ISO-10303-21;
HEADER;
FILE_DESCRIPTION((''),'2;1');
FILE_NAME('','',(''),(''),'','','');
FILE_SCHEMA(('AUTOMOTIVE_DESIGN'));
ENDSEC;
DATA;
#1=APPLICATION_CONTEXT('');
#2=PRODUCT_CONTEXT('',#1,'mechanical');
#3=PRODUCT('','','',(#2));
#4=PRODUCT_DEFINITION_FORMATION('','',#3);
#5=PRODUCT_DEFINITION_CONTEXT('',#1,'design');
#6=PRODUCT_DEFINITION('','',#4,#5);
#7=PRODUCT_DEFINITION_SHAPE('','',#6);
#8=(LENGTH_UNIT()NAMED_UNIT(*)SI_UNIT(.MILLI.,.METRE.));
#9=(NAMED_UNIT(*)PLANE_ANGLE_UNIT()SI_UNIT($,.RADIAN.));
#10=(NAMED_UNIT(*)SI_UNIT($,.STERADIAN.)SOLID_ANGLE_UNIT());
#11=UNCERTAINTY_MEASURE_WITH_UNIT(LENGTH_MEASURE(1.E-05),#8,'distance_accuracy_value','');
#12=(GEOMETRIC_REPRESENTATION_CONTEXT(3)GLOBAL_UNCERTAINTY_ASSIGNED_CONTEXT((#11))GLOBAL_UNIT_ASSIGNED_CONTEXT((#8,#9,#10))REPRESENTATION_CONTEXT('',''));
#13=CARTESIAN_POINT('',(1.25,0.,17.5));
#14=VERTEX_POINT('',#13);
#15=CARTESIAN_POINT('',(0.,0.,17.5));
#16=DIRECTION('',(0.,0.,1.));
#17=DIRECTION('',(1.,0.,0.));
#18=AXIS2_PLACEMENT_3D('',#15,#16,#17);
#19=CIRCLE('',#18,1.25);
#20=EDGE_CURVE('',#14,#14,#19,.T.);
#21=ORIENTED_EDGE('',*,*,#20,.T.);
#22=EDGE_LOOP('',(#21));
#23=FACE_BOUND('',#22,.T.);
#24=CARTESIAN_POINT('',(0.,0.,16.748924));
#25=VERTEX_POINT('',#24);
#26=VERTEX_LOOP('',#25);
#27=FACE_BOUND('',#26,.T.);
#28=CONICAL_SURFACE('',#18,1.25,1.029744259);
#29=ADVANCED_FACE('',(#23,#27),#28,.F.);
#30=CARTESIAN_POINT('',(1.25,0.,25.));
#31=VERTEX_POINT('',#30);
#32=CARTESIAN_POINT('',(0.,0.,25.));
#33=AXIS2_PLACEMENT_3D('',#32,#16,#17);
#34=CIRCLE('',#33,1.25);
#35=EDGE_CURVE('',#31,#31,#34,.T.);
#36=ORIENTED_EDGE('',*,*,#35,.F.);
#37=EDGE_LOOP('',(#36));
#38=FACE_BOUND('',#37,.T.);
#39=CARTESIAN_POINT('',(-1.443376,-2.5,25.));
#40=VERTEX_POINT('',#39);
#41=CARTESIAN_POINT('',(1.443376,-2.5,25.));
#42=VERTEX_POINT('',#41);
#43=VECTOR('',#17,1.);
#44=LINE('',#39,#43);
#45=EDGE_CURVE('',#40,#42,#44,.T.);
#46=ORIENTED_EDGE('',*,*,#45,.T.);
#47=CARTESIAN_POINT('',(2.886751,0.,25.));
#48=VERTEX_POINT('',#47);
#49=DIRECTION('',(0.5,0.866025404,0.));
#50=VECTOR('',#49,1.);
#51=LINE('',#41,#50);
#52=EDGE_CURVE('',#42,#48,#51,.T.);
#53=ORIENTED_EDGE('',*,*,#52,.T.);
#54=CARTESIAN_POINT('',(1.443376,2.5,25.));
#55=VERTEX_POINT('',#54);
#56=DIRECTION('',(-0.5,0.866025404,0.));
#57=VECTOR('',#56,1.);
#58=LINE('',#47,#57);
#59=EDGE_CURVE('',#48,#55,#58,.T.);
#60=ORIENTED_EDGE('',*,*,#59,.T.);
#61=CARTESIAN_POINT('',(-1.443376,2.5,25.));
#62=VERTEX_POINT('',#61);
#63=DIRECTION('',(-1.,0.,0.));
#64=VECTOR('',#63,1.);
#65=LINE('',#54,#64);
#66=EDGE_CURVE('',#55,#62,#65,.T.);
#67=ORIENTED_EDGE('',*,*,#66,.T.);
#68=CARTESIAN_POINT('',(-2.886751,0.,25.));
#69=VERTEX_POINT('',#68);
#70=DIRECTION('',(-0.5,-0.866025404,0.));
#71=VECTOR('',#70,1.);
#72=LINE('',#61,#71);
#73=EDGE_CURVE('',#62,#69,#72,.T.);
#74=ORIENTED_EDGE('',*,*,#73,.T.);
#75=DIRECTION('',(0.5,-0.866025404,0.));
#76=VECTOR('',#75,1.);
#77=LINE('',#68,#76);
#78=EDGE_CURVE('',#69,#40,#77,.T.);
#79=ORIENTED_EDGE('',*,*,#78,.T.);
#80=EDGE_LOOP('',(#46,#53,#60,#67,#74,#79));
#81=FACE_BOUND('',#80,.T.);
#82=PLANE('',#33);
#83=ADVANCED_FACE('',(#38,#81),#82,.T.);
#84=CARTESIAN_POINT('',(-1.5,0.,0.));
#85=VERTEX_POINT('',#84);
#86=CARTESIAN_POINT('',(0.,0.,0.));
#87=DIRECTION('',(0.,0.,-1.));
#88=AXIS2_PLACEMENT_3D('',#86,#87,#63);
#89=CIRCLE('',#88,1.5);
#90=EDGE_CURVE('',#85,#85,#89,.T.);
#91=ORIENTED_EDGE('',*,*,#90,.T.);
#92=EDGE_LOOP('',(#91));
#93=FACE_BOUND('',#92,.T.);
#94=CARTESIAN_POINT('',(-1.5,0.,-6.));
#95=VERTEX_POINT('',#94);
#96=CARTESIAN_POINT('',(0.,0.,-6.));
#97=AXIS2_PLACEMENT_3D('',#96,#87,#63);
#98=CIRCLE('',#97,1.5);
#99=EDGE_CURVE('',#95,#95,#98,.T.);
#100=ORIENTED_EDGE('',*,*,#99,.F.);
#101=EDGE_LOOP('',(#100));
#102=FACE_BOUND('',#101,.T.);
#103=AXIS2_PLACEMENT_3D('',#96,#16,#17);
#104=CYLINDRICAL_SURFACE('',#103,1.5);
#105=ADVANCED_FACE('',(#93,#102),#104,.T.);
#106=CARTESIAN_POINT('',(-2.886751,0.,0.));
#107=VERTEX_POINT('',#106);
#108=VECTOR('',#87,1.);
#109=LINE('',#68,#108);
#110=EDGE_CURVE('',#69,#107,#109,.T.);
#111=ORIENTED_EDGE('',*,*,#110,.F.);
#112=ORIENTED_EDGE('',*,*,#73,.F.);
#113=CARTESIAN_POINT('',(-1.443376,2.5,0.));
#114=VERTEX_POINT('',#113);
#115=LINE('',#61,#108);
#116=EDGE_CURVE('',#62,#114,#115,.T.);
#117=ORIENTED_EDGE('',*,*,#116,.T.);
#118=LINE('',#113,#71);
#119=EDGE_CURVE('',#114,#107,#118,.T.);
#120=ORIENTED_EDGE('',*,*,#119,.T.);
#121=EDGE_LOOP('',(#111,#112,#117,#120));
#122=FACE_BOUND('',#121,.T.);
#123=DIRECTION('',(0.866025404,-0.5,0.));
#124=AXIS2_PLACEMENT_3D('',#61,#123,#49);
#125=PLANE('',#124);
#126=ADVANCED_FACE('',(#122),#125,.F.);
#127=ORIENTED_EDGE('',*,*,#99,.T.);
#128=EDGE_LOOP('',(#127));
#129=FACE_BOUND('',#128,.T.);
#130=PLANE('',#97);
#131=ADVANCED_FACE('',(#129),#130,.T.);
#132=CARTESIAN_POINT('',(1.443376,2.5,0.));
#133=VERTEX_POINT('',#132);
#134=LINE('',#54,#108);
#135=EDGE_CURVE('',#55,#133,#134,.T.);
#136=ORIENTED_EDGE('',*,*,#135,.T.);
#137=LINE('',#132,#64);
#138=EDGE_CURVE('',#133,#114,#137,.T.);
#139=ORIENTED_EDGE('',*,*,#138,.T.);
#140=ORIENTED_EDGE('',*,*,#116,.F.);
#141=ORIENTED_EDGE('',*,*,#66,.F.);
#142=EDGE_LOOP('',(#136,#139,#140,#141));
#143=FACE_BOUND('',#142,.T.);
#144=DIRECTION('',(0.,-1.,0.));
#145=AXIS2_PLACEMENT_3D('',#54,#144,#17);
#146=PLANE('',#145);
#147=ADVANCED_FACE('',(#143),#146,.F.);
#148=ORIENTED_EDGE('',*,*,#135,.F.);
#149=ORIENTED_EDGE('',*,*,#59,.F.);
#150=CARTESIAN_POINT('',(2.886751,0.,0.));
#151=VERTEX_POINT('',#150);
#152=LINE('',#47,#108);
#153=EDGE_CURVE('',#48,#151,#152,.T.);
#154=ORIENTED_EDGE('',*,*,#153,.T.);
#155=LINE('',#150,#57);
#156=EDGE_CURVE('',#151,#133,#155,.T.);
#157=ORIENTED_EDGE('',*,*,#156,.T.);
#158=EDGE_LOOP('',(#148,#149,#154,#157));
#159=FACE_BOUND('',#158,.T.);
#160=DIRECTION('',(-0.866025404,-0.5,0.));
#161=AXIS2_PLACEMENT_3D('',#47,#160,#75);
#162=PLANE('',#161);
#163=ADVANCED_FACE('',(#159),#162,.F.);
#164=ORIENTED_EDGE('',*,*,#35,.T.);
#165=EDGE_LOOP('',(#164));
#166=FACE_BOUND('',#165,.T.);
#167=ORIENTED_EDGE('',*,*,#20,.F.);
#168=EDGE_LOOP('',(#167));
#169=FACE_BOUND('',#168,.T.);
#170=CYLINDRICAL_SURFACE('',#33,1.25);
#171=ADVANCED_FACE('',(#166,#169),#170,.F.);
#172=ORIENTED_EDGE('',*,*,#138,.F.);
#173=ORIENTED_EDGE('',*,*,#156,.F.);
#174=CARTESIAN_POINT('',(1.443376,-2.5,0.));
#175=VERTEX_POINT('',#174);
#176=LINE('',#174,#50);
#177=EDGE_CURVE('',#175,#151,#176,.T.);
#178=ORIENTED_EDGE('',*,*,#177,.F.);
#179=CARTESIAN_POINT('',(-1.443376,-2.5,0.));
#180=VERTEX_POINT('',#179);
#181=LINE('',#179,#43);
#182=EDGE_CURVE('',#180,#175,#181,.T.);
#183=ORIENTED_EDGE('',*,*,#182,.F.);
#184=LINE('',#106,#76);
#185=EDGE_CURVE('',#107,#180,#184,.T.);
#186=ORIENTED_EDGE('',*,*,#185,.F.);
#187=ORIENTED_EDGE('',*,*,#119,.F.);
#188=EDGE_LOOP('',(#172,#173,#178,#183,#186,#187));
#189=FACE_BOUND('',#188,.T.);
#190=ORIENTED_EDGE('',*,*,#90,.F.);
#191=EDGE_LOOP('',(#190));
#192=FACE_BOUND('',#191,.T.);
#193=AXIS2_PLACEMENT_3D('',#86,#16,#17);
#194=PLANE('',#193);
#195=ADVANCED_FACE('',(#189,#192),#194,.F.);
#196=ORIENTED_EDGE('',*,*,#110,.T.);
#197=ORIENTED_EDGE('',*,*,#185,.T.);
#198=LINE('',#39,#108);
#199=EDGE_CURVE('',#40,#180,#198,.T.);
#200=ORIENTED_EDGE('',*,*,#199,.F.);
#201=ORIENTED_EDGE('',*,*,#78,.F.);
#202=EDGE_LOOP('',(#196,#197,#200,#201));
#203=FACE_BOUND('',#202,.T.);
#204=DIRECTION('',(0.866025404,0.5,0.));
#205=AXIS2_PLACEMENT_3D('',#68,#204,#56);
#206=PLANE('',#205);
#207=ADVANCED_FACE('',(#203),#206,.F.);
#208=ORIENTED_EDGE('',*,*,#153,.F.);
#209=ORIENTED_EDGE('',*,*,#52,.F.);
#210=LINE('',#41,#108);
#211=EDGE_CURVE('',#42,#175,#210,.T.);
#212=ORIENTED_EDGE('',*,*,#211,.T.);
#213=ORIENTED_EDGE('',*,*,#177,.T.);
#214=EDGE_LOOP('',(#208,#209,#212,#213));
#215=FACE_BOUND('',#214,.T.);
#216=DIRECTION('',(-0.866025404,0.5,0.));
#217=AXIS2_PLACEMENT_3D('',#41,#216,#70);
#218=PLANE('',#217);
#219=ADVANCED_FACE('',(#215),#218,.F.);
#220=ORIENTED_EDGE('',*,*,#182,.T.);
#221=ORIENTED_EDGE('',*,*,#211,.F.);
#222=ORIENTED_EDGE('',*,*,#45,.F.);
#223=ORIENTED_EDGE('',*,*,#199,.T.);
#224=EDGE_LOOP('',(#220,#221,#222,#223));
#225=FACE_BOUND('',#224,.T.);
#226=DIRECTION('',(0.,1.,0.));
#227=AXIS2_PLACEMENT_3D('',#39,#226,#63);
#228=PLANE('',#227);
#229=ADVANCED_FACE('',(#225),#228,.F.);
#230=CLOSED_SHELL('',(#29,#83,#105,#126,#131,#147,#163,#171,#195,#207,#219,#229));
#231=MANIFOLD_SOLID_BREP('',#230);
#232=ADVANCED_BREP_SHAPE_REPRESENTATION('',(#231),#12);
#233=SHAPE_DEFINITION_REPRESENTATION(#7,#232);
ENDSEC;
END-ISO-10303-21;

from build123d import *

# Parameters (mm, degrees)
EXTRUDE_1_DEPTH = 25
SKETCH_4_R      = 1.5
EXTRUDE_2_DEPTH = 6
M3X0_5_1_D      = 2.5
M3X0_5_1_DEPTH  = 7.5
M3X0_5_1_TIP    = 0.751075774


with BuildPart() as part:
    # 草圖1 → 填料-伸長1 (new body)
    with BuildSketch(Plane.XY):
        Polygon((-1.443375673, 2.5), (-2.886751346, 0), (-1.443375673, -2.5), (1.443375673, -2.5), (2.886751346, 0), (1.443375673, 2.5), align=None)
    extrude(amount=EXTRUDE_1_DEPTH)

    # 草圖4 → 填料-伸長2 (add)
    with BuildSketch(Plane(origin=(0, 0, 0), x_dir=(-1, 0, 0), z_dir=(0, 0, -1))):
        Circle(SKETCH_4_R)
    extrude(amount=EXTRUDE_2_DEPTH)

    # M3x0.5 螺紋孔1
    with Locations(Plane.XY.offset(25)):
        with Locations((0, 0)):
            Hole(M3X0_5_1_D / 2, depth=M3X0_5_1_DEPTH)
            with Locations((0, 0, -(M3X0_5_1_DEPTH + M3X0_5_1_TIP / 2))):  # 118° drill point
                Cone(0, M3X0_5_1_D / 2, M3X0_5_1_TIP, mode=Mode.SUBTRACT)


solid = part.part
